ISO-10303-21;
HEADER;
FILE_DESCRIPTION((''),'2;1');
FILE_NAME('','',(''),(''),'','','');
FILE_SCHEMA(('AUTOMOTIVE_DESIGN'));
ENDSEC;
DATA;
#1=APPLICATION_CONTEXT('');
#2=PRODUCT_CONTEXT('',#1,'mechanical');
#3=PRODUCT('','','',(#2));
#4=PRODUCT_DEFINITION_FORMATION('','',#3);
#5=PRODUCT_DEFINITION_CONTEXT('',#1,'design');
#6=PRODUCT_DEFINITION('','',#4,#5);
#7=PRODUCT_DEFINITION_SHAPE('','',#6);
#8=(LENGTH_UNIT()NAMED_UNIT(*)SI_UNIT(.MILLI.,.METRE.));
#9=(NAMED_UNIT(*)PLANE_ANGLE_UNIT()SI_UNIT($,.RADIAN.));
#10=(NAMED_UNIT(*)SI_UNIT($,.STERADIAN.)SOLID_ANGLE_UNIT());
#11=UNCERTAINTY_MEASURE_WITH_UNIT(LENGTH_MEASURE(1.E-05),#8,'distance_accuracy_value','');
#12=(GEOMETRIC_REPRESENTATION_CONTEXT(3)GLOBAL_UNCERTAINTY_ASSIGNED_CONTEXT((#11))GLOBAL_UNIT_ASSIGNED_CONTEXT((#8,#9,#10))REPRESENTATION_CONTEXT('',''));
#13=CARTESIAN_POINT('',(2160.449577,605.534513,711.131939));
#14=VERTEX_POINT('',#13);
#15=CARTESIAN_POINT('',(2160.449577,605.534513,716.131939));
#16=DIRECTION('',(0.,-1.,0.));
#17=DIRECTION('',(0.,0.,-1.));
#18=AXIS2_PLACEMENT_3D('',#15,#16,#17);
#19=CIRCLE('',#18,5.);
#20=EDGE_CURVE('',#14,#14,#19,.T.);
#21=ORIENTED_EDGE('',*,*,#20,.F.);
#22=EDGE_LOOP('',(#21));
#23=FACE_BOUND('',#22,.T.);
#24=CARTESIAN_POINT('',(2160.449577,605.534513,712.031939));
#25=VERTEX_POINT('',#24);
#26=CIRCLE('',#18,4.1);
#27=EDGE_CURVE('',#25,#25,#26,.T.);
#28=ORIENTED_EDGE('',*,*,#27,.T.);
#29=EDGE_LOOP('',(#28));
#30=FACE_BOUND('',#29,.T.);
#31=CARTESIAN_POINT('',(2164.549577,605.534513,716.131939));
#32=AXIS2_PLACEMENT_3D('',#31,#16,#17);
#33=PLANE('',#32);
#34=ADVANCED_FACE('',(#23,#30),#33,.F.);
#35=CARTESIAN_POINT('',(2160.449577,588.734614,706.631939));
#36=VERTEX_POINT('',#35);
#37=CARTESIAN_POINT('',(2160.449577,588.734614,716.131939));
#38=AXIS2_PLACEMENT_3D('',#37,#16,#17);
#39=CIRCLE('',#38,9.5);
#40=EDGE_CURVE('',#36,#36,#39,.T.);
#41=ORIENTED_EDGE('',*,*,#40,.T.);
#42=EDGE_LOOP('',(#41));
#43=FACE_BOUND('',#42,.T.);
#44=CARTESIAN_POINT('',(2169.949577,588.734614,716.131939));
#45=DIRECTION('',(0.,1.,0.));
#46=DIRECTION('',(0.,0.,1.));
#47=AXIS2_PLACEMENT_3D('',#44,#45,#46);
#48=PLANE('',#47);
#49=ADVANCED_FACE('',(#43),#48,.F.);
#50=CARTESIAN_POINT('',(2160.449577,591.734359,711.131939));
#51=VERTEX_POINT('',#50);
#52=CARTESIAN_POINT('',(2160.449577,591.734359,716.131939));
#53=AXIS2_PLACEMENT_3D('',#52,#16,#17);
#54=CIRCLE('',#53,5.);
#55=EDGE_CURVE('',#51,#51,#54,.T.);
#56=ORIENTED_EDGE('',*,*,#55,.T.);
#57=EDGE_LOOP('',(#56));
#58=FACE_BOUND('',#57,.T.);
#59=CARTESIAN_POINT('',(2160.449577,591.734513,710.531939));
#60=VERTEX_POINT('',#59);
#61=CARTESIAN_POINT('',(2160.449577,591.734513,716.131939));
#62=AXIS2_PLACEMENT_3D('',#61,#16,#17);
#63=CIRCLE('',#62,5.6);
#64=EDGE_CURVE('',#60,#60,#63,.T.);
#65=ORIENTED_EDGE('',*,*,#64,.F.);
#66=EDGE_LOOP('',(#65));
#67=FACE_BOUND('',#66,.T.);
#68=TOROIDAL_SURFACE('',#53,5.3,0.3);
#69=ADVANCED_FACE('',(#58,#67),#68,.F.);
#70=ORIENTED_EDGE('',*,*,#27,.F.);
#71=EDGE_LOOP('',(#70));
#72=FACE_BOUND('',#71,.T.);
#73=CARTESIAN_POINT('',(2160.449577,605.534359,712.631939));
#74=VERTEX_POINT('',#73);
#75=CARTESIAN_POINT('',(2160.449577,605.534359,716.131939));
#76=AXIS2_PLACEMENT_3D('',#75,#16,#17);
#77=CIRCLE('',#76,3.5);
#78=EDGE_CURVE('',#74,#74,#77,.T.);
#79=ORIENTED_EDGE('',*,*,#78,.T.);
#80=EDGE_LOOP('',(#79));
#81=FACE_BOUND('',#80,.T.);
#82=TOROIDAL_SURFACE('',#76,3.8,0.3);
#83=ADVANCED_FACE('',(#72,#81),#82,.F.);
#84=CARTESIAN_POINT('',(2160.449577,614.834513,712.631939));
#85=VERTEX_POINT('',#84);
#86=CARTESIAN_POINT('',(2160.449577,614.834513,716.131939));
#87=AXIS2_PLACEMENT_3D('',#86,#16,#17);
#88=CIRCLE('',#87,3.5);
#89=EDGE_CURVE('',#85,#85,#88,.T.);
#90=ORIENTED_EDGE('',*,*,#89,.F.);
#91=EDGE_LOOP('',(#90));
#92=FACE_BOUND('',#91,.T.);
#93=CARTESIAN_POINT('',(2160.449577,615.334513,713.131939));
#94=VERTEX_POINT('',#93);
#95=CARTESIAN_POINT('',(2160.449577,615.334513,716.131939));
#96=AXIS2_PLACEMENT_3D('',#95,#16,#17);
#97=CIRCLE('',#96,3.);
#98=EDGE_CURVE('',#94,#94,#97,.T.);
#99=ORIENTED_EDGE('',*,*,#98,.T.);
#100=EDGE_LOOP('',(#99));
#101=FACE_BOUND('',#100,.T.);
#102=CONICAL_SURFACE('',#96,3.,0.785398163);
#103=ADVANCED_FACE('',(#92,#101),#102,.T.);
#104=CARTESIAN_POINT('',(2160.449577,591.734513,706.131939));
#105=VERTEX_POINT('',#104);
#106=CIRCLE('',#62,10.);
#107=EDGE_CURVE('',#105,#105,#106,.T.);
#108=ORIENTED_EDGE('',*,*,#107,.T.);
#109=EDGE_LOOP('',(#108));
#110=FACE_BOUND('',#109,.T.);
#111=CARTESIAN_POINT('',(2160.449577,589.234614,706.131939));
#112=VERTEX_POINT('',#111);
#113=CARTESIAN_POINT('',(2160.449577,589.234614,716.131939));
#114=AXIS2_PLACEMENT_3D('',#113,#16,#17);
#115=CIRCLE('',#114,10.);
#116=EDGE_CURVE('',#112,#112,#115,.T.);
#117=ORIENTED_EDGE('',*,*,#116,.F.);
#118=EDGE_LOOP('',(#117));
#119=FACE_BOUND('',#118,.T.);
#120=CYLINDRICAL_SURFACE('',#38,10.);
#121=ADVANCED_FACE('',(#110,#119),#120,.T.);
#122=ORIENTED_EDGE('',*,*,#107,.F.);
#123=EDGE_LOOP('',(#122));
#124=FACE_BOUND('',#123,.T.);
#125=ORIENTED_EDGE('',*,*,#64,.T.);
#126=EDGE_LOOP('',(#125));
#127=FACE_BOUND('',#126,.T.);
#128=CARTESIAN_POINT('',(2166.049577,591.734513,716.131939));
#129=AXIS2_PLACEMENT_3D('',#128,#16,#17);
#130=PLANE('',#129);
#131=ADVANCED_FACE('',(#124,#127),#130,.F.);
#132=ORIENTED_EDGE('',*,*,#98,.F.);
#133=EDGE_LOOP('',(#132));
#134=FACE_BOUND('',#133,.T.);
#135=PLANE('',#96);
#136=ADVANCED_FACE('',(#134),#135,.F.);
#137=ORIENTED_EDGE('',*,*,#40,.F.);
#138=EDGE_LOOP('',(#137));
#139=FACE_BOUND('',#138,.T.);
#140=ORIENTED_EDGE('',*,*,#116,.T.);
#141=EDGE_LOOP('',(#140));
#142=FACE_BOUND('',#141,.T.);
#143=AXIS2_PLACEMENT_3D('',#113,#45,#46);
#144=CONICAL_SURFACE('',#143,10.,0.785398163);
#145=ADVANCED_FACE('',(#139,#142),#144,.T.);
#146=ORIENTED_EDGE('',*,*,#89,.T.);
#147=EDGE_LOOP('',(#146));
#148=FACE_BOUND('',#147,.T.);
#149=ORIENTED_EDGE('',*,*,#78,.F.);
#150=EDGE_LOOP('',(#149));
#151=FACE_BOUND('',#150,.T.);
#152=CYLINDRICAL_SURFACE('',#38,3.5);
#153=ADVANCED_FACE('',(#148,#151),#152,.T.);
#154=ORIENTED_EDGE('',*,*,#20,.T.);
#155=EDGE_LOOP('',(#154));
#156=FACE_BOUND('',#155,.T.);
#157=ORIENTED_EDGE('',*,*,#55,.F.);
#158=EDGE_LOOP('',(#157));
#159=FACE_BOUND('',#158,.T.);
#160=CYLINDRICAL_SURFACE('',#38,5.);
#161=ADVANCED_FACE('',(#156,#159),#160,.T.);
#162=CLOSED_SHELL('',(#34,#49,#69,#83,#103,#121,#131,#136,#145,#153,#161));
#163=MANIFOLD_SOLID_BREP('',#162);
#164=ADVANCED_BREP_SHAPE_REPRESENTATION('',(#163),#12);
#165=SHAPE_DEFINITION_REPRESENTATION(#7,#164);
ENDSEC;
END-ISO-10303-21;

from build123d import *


with BuildPart() as part:
    # Esquisse1 → Base-Révolution (revolve)
    with BuildSketch(Plane(origin=(0, 0, 716.131939029), x_dir=(-1, 0, 0), z_dir=(0, 0, -1)), mode=Mode.PRIVATE) as base_r_volution_sk:
        with BuildLine():
            Line((-2169.949576888, 588.734614361), (-2160.449576888, 588.734614361))
            Line((-2160.449576888, 588.734614361), (-2160.449576888, 615.334513232))
            Line((-2160.449576888, 615.334513232), (-2163.449576888, 615.334513232))
            Line((-2163.449576888, 615.334513232), (-2163.949576888, 614.834513232))
            Line((-2163.949576888, 614.834513232), (-2163.949576888, 605.534359442))
            ThreePointArc((-2163.949576888, 605.534359442), (-2164.249653642, 605.234359452), (-2164.549576849, 605.53451295))
            Line((-2164.549576849, 605.53451295), (-2165.449576888, 605.53451295))
            Line((-2165.449576888, 605.53451295), (-2165.449576888, 591.734359161))
            ThreePointArc((-2165.449576888, 591.734359161), (-2165.749653787, 591.434359171), (-2166.049576849, 591.734512958))
            Line((-2166.049576849, 591.734512958), (-2170.449576888, 591.734512958))
            Line((-2170.449576888, 591.734512958), (-2170.449576888, 589.234614361))
            Line((-2170.449576888, 589.234614361), (-2169.949576888, 588.734614361))
        make_face()
    revolve(base_r_volution_sk.sketch.rotate(Axis((2160.449576888, 588.734614361, 716.131939029), (0, 1, 0)), 90), axis=Axis((2160.449576888, 588.734614361, 716.131939029), (0, 1, 0)))


solid = part.part
